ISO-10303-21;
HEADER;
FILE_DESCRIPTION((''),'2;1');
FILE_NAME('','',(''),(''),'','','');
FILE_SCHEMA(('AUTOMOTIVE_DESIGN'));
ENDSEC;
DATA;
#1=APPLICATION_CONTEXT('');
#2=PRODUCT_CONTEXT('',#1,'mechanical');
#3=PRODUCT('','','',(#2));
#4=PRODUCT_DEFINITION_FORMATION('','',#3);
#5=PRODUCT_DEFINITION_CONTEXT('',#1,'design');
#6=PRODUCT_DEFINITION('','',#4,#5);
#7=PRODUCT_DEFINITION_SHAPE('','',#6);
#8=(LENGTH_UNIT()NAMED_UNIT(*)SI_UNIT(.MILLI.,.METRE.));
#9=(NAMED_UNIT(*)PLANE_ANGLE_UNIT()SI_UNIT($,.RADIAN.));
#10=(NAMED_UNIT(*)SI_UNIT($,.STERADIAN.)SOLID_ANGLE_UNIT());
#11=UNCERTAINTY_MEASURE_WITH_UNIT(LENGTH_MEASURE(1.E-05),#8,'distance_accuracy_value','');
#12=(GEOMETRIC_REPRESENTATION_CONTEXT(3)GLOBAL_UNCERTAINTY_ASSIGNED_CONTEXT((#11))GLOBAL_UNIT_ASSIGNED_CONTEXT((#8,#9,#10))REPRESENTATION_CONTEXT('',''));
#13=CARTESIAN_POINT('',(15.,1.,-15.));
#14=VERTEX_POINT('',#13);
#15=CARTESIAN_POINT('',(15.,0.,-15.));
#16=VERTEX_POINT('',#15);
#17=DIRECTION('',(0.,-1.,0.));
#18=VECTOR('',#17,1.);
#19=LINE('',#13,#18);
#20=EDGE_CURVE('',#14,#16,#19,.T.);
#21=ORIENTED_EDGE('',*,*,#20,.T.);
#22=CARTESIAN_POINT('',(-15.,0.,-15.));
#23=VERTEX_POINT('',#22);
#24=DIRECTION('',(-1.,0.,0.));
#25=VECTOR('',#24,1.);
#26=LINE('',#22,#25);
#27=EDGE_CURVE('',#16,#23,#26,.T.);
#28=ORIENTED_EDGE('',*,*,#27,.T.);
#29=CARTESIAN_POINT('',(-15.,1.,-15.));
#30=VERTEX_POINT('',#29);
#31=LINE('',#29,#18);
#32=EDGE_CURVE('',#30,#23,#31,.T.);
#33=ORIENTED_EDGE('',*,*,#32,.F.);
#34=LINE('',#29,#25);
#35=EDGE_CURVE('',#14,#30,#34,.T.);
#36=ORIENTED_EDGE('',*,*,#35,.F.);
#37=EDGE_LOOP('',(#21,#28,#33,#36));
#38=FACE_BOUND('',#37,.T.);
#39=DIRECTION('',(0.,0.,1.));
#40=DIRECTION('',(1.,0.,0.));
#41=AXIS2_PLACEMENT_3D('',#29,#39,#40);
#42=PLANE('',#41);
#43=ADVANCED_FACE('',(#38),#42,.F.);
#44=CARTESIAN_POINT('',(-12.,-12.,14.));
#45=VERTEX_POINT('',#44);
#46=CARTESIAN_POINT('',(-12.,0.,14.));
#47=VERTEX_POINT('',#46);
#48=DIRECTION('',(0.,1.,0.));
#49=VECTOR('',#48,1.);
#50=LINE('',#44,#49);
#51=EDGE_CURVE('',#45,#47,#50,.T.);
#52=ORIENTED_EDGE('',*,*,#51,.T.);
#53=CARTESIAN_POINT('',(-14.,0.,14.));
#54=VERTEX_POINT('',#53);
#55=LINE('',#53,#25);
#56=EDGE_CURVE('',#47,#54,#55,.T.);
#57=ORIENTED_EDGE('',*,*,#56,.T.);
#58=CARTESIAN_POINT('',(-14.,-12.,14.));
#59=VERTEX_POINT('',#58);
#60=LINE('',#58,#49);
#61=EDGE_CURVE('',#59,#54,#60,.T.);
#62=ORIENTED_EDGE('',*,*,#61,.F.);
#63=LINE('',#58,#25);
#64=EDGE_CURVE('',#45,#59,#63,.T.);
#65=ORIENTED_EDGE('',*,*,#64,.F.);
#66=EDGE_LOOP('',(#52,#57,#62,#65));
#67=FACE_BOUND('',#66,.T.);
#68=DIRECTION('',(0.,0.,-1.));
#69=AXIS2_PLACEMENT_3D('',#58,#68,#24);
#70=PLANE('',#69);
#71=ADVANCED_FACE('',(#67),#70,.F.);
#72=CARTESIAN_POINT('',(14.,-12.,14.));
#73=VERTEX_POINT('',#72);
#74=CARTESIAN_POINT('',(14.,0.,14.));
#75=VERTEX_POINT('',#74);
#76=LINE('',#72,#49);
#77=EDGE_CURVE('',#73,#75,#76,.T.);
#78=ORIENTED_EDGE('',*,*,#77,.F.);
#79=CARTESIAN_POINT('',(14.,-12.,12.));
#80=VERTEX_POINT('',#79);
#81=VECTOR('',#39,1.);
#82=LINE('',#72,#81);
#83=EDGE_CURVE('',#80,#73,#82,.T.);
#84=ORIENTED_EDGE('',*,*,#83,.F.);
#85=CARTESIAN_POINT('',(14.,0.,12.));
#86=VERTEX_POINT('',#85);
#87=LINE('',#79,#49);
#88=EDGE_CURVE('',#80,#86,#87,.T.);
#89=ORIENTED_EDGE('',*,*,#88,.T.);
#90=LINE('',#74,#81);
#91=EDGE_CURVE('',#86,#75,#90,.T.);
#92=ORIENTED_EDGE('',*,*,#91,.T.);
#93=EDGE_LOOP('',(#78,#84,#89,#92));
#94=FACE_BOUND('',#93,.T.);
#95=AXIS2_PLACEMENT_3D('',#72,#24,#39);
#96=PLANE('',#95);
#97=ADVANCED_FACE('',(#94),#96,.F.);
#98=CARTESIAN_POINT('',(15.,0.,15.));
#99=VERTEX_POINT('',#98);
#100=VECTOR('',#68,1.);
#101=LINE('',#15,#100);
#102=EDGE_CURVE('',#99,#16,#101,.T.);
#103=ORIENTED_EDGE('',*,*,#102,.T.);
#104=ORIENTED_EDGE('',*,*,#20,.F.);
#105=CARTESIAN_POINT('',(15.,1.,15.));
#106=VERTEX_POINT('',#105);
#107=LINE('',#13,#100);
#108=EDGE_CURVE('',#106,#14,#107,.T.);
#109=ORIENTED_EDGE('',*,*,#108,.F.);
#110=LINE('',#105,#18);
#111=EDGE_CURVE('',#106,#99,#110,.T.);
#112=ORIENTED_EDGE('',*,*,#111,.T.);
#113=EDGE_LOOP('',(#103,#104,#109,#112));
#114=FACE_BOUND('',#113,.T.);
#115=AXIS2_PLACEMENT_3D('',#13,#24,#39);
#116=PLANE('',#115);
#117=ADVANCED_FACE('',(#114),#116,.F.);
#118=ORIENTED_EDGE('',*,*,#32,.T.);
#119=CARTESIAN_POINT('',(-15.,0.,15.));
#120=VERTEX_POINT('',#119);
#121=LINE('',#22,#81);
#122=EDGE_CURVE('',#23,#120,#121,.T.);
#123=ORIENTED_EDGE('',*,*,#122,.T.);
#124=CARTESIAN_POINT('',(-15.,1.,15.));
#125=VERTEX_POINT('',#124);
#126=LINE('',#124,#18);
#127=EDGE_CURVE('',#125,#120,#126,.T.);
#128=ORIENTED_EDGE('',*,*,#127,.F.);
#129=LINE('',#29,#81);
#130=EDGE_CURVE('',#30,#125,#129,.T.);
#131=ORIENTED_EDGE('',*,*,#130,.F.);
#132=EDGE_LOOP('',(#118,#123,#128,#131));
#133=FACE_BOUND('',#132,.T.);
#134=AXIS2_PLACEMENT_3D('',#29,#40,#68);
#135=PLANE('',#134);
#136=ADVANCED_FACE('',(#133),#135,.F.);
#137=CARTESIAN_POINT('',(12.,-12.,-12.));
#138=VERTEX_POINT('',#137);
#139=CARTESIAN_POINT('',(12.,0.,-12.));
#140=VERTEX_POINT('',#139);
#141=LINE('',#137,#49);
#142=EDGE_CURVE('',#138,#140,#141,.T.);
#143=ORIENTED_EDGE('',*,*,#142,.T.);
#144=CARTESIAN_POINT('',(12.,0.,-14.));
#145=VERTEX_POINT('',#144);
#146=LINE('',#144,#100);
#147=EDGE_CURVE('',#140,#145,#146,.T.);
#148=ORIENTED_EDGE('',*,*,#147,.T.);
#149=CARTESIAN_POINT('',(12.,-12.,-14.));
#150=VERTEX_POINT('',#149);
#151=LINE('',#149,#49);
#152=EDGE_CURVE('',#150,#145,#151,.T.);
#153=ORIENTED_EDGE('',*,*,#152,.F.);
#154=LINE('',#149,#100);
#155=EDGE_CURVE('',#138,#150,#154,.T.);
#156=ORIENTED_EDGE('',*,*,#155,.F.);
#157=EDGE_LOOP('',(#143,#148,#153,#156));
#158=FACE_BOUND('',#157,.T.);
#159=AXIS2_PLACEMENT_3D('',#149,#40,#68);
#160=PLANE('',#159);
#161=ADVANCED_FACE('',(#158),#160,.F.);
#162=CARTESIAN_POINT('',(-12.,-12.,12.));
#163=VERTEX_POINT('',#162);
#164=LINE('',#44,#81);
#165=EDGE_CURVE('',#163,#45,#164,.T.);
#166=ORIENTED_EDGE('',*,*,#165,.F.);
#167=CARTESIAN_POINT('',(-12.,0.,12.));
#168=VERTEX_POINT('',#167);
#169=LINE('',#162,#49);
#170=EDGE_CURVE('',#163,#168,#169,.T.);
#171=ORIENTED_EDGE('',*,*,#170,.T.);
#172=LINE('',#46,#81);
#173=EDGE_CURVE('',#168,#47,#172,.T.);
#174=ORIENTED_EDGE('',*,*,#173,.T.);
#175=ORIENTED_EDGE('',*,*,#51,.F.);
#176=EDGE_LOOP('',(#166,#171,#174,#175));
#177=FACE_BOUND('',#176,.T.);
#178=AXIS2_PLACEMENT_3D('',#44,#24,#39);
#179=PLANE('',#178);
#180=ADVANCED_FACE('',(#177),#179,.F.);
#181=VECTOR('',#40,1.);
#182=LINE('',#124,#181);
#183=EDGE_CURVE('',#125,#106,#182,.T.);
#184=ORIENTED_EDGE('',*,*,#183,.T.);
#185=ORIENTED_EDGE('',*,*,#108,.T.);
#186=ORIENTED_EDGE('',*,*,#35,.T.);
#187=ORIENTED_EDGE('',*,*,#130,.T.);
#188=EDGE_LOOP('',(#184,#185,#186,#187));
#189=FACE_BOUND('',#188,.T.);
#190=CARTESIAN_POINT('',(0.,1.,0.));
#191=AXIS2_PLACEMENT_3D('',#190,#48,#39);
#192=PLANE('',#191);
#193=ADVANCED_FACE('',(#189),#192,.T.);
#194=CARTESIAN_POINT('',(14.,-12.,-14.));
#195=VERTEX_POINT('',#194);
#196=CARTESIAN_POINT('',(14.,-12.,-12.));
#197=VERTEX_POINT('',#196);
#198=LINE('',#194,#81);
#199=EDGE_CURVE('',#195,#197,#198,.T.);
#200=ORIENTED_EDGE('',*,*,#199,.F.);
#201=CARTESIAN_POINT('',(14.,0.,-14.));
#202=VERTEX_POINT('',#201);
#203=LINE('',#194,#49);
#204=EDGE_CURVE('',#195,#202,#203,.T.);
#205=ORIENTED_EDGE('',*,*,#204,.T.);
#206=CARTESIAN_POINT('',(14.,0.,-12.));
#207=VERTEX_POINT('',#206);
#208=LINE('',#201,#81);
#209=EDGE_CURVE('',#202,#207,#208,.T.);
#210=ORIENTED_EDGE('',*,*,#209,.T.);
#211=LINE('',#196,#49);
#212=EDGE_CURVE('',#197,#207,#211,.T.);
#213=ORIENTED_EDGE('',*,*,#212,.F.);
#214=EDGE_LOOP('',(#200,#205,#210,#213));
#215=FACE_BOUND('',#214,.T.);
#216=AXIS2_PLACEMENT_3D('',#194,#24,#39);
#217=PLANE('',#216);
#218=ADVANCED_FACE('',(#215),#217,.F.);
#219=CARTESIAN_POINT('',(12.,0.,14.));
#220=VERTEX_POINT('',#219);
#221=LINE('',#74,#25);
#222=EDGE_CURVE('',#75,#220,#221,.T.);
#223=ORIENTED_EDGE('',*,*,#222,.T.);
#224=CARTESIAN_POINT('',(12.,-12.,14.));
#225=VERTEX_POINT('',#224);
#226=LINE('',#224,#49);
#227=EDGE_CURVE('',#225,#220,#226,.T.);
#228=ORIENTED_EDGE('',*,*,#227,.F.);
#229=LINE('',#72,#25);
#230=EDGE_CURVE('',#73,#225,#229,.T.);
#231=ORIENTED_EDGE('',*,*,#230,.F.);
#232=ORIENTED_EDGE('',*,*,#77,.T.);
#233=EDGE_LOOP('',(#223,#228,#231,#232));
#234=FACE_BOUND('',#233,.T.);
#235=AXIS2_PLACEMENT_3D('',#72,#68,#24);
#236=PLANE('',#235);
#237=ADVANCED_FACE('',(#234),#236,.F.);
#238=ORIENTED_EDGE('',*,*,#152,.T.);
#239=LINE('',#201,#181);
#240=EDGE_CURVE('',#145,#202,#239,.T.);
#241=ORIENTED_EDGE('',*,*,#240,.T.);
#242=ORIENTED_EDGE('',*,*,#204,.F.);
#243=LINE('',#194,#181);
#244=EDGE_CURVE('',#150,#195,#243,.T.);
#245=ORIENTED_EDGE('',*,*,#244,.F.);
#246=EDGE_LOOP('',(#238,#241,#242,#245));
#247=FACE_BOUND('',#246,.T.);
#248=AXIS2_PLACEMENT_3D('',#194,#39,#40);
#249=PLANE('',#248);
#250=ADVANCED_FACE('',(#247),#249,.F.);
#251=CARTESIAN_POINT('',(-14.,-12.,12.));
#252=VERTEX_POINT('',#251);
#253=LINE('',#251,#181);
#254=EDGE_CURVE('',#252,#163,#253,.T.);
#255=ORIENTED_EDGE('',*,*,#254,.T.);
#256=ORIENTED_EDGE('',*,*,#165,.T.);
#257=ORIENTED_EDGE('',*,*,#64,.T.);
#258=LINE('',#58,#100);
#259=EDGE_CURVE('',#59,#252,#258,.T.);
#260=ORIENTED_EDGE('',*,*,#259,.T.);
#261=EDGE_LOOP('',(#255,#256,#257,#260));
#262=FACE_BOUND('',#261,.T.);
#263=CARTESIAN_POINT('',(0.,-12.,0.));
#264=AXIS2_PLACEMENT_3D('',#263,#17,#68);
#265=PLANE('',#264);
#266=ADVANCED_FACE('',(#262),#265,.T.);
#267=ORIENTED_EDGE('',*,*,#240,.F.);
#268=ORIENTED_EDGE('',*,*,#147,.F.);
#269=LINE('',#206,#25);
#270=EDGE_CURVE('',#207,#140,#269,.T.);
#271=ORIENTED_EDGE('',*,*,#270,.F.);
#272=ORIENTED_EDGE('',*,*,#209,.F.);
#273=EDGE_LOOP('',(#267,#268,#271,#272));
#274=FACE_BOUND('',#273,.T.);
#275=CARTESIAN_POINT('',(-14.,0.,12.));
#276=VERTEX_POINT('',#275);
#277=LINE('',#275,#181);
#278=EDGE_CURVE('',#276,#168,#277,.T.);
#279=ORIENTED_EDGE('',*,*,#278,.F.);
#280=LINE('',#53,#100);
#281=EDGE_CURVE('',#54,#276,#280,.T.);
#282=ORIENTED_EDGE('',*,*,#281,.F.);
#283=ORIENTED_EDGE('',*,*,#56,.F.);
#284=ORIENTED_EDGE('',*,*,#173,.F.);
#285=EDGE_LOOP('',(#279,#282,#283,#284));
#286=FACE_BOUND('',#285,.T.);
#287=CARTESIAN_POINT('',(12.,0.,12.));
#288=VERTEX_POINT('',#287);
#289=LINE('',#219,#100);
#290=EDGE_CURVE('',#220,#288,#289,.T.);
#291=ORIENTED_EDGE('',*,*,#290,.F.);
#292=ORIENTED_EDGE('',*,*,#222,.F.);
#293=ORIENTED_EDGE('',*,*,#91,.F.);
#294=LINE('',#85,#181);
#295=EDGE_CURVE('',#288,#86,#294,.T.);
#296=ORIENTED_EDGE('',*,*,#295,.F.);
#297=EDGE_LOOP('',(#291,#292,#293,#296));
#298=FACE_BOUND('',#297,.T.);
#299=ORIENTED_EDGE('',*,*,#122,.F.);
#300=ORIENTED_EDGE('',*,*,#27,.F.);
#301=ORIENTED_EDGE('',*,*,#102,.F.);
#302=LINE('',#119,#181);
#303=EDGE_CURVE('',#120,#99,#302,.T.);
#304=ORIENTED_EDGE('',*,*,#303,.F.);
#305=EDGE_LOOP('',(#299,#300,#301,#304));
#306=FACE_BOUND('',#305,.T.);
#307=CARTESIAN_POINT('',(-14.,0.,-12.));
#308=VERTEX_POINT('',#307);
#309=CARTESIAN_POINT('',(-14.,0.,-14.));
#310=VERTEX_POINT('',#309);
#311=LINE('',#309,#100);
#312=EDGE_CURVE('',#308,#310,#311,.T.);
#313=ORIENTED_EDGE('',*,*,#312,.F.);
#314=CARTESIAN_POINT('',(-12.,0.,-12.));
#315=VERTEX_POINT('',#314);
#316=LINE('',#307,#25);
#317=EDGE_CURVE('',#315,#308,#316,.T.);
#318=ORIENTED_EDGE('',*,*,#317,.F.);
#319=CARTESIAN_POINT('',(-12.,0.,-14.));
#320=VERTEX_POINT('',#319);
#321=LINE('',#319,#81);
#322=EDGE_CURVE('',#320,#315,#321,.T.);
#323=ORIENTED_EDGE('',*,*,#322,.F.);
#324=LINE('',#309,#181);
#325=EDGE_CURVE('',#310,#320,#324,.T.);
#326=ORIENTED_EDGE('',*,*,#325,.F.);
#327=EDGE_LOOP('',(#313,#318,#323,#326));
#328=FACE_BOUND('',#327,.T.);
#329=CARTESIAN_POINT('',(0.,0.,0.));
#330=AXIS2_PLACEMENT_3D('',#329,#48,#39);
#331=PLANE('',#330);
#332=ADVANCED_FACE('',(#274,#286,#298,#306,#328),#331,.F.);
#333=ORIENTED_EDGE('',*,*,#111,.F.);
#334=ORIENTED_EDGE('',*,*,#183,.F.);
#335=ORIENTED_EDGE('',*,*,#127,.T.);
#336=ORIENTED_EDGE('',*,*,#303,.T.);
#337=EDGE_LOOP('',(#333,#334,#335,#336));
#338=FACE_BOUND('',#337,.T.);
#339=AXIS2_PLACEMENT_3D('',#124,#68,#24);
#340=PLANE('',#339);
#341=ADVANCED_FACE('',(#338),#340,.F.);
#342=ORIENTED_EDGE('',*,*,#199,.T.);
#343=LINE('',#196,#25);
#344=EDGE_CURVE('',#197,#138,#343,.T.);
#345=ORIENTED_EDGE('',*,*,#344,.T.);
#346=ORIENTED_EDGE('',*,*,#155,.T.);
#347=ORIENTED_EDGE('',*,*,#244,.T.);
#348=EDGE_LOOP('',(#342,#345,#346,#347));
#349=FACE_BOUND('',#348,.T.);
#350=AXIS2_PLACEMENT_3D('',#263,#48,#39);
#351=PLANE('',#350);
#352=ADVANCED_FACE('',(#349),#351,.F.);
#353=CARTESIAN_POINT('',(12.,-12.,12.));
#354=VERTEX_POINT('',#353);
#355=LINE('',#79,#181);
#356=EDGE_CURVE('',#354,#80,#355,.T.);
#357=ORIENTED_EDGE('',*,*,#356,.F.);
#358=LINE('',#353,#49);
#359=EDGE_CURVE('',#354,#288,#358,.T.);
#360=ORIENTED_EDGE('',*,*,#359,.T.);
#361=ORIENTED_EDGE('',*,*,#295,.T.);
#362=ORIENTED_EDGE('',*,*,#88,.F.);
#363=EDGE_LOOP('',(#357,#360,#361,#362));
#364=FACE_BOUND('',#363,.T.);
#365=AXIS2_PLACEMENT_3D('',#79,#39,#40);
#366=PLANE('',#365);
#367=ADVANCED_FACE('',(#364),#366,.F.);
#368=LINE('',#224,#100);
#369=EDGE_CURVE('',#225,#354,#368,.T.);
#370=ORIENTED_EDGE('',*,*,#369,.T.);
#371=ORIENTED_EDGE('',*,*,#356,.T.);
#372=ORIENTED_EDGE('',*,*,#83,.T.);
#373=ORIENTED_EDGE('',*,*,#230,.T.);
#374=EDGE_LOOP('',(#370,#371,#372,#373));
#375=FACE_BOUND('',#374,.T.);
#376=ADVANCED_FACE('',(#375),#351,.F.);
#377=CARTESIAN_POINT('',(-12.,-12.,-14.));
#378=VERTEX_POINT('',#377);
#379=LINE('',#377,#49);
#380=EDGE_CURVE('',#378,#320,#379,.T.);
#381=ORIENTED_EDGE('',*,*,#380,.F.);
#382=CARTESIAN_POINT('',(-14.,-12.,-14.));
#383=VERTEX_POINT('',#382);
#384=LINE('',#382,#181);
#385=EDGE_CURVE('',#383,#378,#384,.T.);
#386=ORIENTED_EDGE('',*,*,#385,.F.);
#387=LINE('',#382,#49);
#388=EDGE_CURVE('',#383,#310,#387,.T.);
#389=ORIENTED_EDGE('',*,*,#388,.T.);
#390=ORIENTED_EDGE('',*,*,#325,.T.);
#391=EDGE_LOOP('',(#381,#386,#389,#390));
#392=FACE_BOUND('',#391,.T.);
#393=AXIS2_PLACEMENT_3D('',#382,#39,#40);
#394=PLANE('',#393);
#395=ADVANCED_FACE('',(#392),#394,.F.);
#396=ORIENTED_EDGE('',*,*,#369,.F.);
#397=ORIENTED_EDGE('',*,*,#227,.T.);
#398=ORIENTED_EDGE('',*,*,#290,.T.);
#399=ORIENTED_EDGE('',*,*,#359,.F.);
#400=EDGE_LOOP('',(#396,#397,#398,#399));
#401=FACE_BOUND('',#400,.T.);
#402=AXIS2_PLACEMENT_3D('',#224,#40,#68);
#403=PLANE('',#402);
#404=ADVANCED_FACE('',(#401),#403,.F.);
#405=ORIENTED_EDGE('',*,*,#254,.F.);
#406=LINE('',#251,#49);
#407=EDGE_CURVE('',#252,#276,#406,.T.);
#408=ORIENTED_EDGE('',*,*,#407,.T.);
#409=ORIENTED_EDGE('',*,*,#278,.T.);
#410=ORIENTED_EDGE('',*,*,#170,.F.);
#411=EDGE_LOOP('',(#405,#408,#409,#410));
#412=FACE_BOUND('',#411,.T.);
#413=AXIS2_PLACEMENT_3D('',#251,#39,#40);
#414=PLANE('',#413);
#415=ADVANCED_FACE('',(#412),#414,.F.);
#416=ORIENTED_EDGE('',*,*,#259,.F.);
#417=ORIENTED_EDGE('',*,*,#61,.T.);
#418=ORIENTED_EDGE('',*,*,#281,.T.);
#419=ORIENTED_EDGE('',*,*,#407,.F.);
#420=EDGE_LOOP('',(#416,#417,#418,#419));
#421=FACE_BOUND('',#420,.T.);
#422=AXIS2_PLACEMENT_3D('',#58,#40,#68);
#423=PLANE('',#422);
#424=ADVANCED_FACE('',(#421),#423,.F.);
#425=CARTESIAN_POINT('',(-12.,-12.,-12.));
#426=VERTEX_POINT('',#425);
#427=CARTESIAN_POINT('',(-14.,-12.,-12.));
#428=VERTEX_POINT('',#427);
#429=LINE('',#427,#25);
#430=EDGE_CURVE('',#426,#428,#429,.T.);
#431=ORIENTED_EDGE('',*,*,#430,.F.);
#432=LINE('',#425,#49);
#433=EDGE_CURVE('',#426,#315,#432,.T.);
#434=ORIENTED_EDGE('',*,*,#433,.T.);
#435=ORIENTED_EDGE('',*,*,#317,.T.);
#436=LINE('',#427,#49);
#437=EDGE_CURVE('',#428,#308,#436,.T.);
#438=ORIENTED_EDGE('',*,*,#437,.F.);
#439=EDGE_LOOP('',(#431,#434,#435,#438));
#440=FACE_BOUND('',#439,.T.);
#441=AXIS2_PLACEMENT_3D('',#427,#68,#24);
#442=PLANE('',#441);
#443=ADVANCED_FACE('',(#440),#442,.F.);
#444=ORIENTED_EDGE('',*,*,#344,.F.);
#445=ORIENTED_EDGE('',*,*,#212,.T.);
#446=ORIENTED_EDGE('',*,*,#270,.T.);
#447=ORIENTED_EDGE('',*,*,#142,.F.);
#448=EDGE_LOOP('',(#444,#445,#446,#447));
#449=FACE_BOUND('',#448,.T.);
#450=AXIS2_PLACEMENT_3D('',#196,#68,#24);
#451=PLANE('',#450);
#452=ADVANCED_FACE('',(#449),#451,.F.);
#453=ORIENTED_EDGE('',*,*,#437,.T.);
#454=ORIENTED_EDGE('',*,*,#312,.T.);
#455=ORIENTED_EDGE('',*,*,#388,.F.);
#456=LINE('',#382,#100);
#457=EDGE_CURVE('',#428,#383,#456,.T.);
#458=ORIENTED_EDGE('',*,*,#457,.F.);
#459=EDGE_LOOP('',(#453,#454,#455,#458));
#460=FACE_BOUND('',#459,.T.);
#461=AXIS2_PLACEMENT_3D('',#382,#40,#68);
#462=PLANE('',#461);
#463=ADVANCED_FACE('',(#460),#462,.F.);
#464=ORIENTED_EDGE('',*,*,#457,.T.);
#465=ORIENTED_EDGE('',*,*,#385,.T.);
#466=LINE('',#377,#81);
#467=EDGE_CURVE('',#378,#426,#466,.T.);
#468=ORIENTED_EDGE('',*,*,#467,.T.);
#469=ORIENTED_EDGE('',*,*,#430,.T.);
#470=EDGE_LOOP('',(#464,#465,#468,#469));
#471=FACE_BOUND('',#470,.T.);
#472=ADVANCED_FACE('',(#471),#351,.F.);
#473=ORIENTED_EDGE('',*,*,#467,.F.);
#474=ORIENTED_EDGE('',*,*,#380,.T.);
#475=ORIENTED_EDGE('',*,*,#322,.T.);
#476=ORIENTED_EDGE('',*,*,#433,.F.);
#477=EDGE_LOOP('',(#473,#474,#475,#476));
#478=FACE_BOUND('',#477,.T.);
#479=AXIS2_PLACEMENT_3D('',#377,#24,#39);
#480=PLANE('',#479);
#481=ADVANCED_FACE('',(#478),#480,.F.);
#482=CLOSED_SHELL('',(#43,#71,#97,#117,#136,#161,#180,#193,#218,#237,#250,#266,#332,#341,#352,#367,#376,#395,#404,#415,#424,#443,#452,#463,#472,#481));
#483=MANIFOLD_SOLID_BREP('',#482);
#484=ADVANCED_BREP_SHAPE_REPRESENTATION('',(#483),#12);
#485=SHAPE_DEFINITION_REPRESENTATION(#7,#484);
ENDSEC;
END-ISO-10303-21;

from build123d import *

# Parameters (mm, degrees)
SKETCH_2_W      = 30
SKETCH_2_H      = 30
EXTRUDE_1_DEPTH = 1
SKETCH_3_W      = 2
SKETCH_3_H      = 2
EXTRUDE_2_DEPTH = 12


with BuildPart() as part:
    # 草圖2 → 填料-伸長1 (new body)
    with BuildSketch(Plane(origin=(0, 0, 0), x_dir=(1, 0, 0), z_dir=(0, 1, 0))):
        Rectangle(SKETCH_2_W, SKETCH_2_H)
    extrude(amount=EXTRUDE_1_DEPTH)

    # 草圖3 → 填料-伸長2 (add)
    with BuildSketch(Plane.XZ):
        with Locations((-13, 13)):
            Rectangle(SKETCH_3_W, SKETCH_3_H)
        with Locations((13, 13)):
            Rectangle(SKETCH_3_W, SKETCH_3_H)
        with Locations((13, -13)):
            Rectangle(SKETCH_3_W, SKETCH_3_H)
        with Locations((-13, -13)):
            Rectangle(SKETCH_3_W, SKETCH_3_H)
    extrude(amount=EXTRUDE_2_DEPTH)


solid = part.part
